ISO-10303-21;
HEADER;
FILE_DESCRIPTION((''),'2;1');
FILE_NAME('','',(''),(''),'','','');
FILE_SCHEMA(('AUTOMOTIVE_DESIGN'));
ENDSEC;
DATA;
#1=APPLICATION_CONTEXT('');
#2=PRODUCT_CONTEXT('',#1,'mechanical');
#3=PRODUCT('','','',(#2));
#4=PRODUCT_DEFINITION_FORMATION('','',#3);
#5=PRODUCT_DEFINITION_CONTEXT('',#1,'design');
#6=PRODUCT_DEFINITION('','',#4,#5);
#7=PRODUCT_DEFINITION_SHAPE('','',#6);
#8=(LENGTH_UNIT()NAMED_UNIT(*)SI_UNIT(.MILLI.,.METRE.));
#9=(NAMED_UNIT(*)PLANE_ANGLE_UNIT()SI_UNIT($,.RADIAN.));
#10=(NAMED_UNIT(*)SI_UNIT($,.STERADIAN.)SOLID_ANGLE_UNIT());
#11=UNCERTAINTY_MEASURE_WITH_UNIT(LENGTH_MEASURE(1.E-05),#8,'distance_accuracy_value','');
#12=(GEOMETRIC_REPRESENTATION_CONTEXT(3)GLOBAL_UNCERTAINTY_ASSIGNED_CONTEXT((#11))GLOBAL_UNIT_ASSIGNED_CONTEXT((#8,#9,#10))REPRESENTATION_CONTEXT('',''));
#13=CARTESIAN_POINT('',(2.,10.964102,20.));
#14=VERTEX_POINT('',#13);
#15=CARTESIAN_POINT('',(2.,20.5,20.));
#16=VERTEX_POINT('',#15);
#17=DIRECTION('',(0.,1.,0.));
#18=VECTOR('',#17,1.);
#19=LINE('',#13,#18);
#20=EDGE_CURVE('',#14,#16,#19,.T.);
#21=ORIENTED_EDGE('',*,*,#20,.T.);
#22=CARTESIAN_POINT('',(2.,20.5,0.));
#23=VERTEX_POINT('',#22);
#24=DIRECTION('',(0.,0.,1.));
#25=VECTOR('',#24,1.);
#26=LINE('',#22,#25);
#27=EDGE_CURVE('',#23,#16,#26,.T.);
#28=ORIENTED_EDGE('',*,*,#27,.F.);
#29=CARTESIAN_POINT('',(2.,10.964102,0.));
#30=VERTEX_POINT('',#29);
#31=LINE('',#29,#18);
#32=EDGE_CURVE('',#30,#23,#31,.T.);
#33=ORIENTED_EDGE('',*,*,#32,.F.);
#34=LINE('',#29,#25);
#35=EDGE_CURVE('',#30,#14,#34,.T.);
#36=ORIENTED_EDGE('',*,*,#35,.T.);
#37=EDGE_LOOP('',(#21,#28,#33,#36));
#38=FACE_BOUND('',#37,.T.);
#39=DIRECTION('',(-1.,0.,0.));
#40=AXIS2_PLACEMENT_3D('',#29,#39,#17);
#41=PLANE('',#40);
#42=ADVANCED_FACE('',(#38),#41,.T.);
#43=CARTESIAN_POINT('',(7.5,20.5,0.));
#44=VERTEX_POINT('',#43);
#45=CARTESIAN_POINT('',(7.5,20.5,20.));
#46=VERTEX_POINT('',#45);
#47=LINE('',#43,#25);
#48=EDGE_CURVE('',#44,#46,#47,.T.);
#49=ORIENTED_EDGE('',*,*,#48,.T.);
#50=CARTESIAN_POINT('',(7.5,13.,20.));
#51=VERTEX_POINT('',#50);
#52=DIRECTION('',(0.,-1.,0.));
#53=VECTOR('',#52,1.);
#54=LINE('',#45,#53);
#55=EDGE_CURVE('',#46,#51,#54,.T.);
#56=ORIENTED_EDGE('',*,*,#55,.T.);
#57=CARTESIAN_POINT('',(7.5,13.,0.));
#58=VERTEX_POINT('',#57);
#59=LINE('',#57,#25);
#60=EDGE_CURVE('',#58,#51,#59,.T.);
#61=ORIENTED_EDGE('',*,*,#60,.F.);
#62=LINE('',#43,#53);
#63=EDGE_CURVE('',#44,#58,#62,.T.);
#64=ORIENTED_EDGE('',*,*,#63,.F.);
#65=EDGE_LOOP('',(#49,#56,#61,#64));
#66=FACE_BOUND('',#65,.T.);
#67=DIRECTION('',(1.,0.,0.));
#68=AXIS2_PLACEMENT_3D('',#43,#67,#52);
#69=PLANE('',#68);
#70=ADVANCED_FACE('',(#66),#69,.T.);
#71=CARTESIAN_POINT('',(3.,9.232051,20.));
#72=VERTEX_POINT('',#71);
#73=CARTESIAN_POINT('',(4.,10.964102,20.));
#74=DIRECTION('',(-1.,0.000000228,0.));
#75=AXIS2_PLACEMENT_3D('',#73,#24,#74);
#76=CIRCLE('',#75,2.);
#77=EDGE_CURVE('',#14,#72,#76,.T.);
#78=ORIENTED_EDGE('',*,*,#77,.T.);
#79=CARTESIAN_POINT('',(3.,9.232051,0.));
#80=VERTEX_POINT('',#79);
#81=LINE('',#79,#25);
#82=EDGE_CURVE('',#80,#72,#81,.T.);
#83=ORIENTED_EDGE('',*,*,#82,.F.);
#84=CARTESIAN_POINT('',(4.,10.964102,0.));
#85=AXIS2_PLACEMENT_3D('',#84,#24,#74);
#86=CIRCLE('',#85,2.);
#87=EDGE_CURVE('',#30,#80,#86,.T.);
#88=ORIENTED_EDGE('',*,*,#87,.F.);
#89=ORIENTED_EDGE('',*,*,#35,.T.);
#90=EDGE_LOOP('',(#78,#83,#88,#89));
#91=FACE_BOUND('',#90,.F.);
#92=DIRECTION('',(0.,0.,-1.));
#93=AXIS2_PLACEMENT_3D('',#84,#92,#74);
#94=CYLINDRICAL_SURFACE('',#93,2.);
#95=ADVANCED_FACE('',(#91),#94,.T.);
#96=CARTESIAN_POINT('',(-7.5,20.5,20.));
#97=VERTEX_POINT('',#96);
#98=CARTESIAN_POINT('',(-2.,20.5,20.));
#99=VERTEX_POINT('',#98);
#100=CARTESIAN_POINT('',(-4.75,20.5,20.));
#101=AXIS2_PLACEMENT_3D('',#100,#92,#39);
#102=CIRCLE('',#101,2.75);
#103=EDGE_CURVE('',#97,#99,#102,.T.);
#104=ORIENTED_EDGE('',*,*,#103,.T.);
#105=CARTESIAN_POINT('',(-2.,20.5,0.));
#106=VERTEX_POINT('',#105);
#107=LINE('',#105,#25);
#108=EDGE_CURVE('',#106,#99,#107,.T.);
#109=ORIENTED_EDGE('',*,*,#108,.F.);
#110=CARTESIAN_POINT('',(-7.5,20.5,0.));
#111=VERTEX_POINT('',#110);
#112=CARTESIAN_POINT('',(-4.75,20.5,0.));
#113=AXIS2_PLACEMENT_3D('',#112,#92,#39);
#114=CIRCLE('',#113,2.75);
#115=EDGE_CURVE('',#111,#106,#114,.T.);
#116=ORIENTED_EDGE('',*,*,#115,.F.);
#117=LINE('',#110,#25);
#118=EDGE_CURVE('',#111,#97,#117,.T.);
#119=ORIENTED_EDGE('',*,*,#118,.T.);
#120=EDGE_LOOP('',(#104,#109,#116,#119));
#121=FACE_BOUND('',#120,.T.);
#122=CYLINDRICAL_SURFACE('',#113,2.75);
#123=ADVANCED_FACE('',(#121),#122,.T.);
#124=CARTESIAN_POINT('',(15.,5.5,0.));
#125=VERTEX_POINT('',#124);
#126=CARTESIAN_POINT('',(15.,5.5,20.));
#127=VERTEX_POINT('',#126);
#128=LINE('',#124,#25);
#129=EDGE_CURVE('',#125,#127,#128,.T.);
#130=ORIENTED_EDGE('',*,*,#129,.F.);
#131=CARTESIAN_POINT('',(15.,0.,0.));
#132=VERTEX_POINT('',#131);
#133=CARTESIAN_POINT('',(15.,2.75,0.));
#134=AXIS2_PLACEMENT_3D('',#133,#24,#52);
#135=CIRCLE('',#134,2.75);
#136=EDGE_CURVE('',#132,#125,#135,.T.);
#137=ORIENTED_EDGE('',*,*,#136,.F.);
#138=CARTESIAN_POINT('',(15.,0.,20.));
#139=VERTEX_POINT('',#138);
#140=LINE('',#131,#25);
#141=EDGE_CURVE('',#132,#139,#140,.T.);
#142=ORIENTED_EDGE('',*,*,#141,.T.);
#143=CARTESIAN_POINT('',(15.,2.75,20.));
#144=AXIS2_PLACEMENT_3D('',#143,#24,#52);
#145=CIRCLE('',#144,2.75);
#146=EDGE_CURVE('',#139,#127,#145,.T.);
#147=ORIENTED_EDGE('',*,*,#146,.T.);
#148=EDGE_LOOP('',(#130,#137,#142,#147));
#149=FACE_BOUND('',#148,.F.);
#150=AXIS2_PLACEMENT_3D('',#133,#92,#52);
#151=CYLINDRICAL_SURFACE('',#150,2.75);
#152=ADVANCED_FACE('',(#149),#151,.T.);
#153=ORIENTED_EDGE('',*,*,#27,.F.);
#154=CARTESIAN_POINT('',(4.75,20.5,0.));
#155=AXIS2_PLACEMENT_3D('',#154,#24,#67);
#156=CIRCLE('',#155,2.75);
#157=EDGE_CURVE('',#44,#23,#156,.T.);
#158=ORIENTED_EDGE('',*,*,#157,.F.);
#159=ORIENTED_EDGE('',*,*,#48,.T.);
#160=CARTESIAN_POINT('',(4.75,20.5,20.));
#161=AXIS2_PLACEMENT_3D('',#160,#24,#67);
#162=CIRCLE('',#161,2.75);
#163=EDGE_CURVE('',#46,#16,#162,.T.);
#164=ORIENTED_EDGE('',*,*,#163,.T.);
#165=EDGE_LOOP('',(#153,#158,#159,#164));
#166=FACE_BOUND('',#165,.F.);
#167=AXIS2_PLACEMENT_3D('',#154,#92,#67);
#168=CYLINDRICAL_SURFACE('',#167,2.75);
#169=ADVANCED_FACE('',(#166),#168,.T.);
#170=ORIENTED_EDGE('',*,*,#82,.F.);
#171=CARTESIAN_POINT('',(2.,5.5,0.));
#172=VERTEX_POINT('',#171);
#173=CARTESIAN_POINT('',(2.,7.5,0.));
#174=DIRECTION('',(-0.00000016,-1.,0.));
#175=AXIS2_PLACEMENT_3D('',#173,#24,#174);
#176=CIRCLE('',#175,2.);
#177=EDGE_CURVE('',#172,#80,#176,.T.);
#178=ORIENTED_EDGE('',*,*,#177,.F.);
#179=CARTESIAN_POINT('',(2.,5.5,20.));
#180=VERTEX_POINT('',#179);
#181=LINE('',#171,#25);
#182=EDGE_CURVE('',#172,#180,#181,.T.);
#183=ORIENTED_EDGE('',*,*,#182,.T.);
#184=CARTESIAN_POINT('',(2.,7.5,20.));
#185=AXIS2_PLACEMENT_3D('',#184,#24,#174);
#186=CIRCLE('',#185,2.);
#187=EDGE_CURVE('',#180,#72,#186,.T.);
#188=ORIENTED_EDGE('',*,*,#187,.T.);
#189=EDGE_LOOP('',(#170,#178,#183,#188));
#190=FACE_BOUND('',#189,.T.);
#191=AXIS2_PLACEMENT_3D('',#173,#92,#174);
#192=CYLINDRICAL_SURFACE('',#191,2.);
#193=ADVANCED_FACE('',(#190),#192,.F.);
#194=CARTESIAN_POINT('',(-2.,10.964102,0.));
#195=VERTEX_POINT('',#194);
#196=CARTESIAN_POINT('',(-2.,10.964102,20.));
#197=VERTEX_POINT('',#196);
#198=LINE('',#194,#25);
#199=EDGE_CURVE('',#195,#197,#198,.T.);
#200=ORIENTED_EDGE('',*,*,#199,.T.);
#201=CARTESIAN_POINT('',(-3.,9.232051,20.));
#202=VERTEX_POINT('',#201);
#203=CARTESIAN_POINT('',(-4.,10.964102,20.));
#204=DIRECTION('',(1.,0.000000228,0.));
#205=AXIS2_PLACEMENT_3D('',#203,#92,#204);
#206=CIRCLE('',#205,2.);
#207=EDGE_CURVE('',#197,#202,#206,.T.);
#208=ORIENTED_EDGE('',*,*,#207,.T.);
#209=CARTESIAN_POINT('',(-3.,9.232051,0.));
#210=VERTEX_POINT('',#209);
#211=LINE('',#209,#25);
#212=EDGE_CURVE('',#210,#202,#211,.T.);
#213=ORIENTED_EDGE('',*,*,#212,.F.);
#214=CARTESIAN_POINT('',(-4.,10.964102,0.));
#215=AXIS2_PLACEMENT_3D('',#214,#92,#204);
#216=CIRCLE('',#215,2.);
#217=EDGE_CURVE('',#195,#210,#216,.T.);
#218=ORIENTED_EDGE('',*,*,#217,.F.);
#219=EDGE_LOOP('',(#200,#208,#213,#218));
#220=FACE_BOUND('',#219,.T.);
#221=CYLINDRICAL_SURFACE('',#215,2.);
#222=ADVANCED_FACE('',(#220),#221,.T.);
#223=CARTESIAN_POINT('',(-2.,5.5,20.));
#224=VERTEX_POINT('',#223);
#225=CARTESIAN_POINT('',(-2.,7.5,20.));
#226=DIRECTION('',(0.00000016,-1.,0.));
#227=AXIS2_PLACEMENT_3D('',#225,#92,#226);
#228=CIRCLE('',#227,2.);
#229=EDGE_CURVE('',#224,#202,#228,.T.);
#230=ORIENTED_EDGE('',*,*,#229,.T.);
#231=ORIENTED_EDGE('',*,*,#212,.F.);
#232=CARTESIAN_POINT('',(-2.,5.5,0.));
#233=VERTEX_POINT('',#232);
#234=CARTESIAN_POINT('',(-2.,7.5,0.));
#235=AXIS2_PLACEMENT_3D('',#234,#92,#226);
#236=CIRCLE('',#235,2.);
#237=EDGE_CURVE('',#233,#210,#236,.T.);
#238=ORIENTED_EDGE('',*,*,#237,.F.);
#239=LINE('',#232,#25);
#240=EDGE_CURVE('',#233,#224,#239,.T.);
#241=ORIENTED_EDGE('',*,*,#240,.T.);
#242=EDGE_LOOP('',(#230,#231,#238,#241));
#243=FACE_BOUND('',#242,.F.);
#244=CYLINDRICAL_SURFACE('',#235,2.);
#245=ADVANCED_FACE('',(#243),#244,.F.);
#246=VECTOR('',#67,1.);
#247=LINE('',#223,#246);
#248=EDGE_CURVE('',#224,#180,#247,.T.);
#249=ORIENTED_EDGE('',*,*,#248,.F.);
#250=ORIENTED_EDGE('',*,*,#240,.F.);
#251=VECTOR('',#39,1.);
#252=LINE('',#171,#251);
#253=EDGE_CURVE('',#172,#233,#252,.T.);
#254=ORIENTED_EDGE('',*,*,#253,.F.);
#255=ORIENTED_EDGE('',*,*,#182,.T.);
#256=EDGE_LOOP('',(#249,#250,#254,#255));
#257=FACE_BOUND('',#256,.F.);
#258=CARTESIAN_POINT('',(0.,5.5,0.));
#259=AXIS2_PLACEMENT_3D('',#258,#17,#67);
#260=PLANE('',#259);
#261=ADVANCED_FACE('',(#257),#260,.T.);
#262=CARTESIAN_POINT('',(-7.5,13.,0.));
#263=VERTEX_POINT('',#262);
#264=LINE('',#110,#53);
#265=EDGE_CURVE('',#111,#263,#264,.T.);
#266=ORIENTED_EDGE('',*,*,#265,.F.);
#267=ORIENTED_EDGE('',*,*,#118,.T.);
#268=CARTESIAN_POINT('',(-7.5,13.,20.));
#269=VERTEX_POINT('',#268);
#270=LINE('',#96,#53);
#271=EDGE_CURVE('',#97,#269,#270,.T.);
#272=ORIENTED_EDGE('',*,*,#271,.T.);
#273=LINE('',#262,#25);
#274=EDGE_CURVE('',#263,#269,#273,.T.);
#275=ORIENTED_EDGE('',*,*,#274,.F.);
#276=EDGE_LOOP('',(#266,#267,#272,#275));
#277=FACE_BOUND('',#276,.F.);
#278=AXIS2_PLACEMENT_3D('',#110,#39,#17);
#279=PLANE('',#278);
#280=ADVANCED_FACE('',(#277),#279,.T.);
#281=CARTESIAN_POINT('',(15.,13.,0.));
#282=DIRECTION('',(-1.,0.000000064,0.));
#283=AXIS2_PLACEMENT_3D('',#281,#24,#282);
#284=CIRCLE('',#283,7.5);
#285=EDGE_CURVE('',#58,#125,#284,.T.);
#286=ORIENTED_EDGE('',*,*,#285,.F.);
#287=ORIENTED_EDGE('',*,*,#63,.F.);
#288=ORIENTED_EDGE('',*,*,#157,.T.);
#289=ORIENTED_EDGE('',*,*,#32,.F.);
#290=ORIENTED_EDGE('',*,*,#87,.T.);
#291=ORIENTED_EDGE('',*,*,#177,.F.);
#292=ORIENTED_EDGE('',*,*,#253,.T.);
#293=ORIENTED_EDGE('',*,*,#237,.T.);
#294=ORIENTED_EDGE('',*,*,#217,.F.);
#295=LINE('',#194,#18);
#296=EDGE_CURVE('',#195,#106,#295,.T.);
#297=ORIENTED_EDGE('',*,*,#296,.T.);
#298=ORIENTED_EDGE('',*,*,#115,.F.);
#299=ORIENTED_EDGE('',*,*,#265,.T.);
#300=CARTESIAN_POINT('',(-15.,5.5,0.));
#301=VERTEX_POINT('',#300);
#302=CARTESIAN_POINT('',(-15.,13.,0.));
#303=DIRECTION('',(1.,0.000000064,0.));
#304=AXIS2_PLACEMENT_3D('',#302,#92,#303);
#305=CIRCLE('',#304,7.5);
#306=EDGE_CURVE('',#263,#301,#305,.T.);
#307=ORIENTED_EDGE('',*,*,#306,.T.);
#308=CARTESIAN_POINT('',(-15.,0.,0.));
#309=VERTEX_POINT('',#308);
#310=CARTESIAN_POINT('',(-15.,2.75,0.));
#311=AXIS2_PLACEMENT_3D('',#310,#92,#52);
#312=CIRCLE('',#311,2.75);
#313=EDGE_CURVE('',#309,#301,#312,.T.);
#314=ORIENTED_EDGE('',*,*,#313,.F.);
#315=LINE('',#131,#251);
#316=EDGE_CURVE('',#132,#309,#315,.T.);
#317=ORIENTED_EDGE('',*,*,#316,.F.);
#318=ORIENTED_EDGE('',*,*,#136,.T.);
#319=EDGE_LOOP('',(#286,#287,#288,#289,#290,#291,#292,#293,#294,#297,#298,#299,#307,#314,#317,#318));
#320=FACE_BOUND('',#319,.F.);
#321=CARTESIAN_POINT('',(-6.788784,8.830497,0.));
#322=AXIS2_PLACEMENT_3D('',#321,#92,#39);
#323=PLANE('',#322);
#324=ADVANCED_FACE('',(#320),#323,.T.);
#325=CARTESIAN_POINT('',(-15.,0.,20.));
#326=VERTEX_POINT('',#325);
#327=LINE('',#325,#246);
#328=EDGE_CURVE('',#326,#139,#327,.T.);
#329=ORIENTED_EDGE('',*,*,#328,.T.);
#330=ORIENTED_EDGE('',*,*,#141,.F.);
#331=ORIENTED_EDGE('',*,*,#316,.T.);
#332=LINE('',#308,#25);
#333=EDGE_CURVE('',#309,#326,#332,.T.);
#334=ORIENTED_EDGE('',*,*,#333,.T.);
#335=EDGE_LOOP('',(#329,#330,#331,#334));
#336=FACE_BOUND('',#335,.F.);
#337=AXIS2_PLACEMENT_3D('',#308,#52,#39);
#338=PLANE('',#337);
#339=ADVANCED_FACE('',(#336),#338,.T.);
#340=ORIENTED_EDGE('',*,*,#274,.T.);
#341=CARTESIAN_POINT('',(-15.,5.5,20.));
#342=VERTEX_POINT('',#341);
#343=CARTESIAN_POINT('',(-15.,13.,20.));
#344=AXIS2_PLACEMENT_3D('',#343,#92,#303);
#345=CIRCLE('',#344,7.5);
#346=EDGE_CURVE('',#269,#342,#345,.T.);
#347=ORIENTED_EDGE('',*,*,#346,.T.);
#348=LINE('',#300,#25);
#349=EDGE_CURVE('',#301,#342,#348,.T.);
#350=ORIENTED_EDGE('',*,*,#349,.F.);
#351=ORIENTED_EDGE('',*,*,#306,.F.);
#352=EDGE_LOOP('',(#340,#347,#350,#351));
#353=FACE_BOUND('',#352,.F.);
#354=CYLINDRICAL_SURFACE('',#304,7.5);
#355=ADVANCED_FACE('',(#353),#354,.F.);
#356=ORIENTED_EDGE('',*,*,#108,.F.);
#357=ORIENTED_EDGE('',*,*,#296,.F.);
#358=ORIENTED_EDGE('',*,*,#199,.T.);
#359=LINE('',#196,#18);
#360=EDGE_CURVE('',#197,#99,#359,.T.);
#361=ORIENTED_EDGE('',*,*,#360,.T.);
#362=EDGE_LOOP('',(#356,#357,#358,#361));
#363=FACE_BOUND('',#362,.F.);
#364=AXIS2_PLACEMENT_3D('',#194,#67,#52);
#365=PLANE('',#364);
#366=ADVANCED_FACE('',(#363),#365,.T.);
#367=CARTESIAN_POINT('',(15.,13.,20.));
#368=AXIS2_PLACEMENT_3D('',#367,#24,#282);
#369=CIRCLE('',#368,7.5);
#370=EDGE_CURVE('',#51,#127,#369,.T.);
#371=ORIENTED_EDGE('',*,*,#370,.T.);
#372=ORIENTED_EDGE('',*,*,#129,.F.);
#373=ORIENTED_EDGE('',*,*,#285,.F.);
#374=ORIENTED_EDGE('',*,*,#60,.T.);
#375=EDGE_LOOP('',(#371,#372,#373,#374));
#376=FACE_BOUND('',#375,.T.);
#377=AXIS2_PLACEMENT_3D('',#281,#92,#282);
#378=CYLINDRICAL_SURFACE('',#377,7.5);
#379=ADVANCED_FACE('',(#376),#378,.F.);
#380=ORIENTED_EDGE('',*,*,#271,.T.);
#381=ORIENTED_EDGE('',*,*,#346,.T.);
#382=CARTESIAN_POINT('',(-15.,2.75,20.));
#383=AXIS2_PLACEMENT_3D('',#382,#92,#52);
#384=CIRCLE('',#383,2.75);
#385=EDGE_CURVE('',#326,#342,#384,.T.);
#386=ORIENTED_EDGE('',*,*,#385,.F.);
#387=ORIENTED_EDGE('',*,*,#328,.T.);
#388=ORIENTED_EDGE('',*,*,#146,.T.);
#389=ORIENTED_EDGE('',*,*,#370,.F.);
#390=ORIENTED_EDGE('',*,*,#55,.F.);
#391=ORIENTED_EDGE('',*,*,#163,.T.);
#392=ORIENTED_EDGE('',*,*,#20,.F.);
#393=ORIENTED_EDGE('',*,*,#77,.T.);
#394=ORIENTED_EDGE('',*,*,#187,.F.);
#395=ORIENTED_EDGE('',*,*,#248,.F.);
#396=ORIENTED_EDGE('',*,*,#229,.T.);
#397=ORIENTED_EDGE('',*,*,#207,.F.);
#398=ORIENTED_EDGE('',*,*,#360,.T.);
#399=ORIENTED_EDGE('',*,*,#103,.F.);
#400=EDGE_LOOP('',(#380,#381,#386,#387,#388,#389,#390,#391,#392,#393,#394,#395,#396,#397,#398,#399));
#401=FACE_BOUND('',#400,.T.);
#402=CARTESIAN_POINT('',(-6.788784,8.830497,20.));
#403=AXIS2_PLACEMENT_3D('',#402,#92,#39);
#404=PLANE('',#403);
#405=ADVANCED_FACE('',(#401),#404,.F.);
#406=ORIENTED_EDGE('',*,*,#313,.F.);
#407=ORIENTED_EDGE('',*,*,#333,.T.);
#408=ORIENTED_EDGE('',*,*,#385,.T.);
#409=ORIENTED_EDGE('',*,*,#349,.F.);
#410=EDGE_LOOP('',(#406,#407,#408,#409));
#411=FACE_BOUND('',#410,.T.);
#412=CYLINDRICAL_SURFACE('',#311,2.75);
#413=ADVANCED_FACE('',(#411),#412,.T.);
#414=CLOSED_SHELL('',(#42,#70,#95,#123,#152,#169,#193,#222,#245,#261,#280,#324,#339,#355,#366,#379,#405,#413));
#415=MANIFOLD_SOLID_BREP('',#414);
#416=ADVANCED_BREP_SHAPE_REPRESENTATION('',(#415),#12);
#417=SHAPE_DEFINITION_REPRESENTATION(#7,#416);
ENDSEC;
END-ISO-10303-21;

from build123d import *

# Parameters (mm, degrees)
PAD_DEPTH = 20


with BuildPart() as part:
    # Sketch → Pad (new body)
    with BuildSketch(Plane.XY):
        with BuildLine():
            Line((0, 5.5), (2, 5.5))
            ThreePointArc((2, 5.5), (3.931852, 6.982362), (3, 9.232051))
            ThreePointArc((2, 10.964102), (2.267949, 9.964102), (3, 9.232051))
            Line((2, 10.964102), (2, 20.5))
            ThreePointArc((7.5, 20.5), (4.75, 23.25), (2, 20.5))
            Line((7.5, 20.5), (7.5, 13))
            ThreePointArc((7.5, 13), (9.696699, 7.696699), (15, 5.5))
            ThreePointArc((15, 0), (17.75, 2.75), (15, 5.5))
            Line((15, 0), (0, 0))
            Line((0, 5.5), (0, 0))
        make_face()
    pad = extrude(amount=PAD_DEPTH)

    # Mirrored: Pad across Sketch V_Axis
    add(pad.mirror(Plane(origin=(0, 0, 0), x_dir=(0, 0, 1), z_dir=(1, 0, 0))))


solid = part.part
